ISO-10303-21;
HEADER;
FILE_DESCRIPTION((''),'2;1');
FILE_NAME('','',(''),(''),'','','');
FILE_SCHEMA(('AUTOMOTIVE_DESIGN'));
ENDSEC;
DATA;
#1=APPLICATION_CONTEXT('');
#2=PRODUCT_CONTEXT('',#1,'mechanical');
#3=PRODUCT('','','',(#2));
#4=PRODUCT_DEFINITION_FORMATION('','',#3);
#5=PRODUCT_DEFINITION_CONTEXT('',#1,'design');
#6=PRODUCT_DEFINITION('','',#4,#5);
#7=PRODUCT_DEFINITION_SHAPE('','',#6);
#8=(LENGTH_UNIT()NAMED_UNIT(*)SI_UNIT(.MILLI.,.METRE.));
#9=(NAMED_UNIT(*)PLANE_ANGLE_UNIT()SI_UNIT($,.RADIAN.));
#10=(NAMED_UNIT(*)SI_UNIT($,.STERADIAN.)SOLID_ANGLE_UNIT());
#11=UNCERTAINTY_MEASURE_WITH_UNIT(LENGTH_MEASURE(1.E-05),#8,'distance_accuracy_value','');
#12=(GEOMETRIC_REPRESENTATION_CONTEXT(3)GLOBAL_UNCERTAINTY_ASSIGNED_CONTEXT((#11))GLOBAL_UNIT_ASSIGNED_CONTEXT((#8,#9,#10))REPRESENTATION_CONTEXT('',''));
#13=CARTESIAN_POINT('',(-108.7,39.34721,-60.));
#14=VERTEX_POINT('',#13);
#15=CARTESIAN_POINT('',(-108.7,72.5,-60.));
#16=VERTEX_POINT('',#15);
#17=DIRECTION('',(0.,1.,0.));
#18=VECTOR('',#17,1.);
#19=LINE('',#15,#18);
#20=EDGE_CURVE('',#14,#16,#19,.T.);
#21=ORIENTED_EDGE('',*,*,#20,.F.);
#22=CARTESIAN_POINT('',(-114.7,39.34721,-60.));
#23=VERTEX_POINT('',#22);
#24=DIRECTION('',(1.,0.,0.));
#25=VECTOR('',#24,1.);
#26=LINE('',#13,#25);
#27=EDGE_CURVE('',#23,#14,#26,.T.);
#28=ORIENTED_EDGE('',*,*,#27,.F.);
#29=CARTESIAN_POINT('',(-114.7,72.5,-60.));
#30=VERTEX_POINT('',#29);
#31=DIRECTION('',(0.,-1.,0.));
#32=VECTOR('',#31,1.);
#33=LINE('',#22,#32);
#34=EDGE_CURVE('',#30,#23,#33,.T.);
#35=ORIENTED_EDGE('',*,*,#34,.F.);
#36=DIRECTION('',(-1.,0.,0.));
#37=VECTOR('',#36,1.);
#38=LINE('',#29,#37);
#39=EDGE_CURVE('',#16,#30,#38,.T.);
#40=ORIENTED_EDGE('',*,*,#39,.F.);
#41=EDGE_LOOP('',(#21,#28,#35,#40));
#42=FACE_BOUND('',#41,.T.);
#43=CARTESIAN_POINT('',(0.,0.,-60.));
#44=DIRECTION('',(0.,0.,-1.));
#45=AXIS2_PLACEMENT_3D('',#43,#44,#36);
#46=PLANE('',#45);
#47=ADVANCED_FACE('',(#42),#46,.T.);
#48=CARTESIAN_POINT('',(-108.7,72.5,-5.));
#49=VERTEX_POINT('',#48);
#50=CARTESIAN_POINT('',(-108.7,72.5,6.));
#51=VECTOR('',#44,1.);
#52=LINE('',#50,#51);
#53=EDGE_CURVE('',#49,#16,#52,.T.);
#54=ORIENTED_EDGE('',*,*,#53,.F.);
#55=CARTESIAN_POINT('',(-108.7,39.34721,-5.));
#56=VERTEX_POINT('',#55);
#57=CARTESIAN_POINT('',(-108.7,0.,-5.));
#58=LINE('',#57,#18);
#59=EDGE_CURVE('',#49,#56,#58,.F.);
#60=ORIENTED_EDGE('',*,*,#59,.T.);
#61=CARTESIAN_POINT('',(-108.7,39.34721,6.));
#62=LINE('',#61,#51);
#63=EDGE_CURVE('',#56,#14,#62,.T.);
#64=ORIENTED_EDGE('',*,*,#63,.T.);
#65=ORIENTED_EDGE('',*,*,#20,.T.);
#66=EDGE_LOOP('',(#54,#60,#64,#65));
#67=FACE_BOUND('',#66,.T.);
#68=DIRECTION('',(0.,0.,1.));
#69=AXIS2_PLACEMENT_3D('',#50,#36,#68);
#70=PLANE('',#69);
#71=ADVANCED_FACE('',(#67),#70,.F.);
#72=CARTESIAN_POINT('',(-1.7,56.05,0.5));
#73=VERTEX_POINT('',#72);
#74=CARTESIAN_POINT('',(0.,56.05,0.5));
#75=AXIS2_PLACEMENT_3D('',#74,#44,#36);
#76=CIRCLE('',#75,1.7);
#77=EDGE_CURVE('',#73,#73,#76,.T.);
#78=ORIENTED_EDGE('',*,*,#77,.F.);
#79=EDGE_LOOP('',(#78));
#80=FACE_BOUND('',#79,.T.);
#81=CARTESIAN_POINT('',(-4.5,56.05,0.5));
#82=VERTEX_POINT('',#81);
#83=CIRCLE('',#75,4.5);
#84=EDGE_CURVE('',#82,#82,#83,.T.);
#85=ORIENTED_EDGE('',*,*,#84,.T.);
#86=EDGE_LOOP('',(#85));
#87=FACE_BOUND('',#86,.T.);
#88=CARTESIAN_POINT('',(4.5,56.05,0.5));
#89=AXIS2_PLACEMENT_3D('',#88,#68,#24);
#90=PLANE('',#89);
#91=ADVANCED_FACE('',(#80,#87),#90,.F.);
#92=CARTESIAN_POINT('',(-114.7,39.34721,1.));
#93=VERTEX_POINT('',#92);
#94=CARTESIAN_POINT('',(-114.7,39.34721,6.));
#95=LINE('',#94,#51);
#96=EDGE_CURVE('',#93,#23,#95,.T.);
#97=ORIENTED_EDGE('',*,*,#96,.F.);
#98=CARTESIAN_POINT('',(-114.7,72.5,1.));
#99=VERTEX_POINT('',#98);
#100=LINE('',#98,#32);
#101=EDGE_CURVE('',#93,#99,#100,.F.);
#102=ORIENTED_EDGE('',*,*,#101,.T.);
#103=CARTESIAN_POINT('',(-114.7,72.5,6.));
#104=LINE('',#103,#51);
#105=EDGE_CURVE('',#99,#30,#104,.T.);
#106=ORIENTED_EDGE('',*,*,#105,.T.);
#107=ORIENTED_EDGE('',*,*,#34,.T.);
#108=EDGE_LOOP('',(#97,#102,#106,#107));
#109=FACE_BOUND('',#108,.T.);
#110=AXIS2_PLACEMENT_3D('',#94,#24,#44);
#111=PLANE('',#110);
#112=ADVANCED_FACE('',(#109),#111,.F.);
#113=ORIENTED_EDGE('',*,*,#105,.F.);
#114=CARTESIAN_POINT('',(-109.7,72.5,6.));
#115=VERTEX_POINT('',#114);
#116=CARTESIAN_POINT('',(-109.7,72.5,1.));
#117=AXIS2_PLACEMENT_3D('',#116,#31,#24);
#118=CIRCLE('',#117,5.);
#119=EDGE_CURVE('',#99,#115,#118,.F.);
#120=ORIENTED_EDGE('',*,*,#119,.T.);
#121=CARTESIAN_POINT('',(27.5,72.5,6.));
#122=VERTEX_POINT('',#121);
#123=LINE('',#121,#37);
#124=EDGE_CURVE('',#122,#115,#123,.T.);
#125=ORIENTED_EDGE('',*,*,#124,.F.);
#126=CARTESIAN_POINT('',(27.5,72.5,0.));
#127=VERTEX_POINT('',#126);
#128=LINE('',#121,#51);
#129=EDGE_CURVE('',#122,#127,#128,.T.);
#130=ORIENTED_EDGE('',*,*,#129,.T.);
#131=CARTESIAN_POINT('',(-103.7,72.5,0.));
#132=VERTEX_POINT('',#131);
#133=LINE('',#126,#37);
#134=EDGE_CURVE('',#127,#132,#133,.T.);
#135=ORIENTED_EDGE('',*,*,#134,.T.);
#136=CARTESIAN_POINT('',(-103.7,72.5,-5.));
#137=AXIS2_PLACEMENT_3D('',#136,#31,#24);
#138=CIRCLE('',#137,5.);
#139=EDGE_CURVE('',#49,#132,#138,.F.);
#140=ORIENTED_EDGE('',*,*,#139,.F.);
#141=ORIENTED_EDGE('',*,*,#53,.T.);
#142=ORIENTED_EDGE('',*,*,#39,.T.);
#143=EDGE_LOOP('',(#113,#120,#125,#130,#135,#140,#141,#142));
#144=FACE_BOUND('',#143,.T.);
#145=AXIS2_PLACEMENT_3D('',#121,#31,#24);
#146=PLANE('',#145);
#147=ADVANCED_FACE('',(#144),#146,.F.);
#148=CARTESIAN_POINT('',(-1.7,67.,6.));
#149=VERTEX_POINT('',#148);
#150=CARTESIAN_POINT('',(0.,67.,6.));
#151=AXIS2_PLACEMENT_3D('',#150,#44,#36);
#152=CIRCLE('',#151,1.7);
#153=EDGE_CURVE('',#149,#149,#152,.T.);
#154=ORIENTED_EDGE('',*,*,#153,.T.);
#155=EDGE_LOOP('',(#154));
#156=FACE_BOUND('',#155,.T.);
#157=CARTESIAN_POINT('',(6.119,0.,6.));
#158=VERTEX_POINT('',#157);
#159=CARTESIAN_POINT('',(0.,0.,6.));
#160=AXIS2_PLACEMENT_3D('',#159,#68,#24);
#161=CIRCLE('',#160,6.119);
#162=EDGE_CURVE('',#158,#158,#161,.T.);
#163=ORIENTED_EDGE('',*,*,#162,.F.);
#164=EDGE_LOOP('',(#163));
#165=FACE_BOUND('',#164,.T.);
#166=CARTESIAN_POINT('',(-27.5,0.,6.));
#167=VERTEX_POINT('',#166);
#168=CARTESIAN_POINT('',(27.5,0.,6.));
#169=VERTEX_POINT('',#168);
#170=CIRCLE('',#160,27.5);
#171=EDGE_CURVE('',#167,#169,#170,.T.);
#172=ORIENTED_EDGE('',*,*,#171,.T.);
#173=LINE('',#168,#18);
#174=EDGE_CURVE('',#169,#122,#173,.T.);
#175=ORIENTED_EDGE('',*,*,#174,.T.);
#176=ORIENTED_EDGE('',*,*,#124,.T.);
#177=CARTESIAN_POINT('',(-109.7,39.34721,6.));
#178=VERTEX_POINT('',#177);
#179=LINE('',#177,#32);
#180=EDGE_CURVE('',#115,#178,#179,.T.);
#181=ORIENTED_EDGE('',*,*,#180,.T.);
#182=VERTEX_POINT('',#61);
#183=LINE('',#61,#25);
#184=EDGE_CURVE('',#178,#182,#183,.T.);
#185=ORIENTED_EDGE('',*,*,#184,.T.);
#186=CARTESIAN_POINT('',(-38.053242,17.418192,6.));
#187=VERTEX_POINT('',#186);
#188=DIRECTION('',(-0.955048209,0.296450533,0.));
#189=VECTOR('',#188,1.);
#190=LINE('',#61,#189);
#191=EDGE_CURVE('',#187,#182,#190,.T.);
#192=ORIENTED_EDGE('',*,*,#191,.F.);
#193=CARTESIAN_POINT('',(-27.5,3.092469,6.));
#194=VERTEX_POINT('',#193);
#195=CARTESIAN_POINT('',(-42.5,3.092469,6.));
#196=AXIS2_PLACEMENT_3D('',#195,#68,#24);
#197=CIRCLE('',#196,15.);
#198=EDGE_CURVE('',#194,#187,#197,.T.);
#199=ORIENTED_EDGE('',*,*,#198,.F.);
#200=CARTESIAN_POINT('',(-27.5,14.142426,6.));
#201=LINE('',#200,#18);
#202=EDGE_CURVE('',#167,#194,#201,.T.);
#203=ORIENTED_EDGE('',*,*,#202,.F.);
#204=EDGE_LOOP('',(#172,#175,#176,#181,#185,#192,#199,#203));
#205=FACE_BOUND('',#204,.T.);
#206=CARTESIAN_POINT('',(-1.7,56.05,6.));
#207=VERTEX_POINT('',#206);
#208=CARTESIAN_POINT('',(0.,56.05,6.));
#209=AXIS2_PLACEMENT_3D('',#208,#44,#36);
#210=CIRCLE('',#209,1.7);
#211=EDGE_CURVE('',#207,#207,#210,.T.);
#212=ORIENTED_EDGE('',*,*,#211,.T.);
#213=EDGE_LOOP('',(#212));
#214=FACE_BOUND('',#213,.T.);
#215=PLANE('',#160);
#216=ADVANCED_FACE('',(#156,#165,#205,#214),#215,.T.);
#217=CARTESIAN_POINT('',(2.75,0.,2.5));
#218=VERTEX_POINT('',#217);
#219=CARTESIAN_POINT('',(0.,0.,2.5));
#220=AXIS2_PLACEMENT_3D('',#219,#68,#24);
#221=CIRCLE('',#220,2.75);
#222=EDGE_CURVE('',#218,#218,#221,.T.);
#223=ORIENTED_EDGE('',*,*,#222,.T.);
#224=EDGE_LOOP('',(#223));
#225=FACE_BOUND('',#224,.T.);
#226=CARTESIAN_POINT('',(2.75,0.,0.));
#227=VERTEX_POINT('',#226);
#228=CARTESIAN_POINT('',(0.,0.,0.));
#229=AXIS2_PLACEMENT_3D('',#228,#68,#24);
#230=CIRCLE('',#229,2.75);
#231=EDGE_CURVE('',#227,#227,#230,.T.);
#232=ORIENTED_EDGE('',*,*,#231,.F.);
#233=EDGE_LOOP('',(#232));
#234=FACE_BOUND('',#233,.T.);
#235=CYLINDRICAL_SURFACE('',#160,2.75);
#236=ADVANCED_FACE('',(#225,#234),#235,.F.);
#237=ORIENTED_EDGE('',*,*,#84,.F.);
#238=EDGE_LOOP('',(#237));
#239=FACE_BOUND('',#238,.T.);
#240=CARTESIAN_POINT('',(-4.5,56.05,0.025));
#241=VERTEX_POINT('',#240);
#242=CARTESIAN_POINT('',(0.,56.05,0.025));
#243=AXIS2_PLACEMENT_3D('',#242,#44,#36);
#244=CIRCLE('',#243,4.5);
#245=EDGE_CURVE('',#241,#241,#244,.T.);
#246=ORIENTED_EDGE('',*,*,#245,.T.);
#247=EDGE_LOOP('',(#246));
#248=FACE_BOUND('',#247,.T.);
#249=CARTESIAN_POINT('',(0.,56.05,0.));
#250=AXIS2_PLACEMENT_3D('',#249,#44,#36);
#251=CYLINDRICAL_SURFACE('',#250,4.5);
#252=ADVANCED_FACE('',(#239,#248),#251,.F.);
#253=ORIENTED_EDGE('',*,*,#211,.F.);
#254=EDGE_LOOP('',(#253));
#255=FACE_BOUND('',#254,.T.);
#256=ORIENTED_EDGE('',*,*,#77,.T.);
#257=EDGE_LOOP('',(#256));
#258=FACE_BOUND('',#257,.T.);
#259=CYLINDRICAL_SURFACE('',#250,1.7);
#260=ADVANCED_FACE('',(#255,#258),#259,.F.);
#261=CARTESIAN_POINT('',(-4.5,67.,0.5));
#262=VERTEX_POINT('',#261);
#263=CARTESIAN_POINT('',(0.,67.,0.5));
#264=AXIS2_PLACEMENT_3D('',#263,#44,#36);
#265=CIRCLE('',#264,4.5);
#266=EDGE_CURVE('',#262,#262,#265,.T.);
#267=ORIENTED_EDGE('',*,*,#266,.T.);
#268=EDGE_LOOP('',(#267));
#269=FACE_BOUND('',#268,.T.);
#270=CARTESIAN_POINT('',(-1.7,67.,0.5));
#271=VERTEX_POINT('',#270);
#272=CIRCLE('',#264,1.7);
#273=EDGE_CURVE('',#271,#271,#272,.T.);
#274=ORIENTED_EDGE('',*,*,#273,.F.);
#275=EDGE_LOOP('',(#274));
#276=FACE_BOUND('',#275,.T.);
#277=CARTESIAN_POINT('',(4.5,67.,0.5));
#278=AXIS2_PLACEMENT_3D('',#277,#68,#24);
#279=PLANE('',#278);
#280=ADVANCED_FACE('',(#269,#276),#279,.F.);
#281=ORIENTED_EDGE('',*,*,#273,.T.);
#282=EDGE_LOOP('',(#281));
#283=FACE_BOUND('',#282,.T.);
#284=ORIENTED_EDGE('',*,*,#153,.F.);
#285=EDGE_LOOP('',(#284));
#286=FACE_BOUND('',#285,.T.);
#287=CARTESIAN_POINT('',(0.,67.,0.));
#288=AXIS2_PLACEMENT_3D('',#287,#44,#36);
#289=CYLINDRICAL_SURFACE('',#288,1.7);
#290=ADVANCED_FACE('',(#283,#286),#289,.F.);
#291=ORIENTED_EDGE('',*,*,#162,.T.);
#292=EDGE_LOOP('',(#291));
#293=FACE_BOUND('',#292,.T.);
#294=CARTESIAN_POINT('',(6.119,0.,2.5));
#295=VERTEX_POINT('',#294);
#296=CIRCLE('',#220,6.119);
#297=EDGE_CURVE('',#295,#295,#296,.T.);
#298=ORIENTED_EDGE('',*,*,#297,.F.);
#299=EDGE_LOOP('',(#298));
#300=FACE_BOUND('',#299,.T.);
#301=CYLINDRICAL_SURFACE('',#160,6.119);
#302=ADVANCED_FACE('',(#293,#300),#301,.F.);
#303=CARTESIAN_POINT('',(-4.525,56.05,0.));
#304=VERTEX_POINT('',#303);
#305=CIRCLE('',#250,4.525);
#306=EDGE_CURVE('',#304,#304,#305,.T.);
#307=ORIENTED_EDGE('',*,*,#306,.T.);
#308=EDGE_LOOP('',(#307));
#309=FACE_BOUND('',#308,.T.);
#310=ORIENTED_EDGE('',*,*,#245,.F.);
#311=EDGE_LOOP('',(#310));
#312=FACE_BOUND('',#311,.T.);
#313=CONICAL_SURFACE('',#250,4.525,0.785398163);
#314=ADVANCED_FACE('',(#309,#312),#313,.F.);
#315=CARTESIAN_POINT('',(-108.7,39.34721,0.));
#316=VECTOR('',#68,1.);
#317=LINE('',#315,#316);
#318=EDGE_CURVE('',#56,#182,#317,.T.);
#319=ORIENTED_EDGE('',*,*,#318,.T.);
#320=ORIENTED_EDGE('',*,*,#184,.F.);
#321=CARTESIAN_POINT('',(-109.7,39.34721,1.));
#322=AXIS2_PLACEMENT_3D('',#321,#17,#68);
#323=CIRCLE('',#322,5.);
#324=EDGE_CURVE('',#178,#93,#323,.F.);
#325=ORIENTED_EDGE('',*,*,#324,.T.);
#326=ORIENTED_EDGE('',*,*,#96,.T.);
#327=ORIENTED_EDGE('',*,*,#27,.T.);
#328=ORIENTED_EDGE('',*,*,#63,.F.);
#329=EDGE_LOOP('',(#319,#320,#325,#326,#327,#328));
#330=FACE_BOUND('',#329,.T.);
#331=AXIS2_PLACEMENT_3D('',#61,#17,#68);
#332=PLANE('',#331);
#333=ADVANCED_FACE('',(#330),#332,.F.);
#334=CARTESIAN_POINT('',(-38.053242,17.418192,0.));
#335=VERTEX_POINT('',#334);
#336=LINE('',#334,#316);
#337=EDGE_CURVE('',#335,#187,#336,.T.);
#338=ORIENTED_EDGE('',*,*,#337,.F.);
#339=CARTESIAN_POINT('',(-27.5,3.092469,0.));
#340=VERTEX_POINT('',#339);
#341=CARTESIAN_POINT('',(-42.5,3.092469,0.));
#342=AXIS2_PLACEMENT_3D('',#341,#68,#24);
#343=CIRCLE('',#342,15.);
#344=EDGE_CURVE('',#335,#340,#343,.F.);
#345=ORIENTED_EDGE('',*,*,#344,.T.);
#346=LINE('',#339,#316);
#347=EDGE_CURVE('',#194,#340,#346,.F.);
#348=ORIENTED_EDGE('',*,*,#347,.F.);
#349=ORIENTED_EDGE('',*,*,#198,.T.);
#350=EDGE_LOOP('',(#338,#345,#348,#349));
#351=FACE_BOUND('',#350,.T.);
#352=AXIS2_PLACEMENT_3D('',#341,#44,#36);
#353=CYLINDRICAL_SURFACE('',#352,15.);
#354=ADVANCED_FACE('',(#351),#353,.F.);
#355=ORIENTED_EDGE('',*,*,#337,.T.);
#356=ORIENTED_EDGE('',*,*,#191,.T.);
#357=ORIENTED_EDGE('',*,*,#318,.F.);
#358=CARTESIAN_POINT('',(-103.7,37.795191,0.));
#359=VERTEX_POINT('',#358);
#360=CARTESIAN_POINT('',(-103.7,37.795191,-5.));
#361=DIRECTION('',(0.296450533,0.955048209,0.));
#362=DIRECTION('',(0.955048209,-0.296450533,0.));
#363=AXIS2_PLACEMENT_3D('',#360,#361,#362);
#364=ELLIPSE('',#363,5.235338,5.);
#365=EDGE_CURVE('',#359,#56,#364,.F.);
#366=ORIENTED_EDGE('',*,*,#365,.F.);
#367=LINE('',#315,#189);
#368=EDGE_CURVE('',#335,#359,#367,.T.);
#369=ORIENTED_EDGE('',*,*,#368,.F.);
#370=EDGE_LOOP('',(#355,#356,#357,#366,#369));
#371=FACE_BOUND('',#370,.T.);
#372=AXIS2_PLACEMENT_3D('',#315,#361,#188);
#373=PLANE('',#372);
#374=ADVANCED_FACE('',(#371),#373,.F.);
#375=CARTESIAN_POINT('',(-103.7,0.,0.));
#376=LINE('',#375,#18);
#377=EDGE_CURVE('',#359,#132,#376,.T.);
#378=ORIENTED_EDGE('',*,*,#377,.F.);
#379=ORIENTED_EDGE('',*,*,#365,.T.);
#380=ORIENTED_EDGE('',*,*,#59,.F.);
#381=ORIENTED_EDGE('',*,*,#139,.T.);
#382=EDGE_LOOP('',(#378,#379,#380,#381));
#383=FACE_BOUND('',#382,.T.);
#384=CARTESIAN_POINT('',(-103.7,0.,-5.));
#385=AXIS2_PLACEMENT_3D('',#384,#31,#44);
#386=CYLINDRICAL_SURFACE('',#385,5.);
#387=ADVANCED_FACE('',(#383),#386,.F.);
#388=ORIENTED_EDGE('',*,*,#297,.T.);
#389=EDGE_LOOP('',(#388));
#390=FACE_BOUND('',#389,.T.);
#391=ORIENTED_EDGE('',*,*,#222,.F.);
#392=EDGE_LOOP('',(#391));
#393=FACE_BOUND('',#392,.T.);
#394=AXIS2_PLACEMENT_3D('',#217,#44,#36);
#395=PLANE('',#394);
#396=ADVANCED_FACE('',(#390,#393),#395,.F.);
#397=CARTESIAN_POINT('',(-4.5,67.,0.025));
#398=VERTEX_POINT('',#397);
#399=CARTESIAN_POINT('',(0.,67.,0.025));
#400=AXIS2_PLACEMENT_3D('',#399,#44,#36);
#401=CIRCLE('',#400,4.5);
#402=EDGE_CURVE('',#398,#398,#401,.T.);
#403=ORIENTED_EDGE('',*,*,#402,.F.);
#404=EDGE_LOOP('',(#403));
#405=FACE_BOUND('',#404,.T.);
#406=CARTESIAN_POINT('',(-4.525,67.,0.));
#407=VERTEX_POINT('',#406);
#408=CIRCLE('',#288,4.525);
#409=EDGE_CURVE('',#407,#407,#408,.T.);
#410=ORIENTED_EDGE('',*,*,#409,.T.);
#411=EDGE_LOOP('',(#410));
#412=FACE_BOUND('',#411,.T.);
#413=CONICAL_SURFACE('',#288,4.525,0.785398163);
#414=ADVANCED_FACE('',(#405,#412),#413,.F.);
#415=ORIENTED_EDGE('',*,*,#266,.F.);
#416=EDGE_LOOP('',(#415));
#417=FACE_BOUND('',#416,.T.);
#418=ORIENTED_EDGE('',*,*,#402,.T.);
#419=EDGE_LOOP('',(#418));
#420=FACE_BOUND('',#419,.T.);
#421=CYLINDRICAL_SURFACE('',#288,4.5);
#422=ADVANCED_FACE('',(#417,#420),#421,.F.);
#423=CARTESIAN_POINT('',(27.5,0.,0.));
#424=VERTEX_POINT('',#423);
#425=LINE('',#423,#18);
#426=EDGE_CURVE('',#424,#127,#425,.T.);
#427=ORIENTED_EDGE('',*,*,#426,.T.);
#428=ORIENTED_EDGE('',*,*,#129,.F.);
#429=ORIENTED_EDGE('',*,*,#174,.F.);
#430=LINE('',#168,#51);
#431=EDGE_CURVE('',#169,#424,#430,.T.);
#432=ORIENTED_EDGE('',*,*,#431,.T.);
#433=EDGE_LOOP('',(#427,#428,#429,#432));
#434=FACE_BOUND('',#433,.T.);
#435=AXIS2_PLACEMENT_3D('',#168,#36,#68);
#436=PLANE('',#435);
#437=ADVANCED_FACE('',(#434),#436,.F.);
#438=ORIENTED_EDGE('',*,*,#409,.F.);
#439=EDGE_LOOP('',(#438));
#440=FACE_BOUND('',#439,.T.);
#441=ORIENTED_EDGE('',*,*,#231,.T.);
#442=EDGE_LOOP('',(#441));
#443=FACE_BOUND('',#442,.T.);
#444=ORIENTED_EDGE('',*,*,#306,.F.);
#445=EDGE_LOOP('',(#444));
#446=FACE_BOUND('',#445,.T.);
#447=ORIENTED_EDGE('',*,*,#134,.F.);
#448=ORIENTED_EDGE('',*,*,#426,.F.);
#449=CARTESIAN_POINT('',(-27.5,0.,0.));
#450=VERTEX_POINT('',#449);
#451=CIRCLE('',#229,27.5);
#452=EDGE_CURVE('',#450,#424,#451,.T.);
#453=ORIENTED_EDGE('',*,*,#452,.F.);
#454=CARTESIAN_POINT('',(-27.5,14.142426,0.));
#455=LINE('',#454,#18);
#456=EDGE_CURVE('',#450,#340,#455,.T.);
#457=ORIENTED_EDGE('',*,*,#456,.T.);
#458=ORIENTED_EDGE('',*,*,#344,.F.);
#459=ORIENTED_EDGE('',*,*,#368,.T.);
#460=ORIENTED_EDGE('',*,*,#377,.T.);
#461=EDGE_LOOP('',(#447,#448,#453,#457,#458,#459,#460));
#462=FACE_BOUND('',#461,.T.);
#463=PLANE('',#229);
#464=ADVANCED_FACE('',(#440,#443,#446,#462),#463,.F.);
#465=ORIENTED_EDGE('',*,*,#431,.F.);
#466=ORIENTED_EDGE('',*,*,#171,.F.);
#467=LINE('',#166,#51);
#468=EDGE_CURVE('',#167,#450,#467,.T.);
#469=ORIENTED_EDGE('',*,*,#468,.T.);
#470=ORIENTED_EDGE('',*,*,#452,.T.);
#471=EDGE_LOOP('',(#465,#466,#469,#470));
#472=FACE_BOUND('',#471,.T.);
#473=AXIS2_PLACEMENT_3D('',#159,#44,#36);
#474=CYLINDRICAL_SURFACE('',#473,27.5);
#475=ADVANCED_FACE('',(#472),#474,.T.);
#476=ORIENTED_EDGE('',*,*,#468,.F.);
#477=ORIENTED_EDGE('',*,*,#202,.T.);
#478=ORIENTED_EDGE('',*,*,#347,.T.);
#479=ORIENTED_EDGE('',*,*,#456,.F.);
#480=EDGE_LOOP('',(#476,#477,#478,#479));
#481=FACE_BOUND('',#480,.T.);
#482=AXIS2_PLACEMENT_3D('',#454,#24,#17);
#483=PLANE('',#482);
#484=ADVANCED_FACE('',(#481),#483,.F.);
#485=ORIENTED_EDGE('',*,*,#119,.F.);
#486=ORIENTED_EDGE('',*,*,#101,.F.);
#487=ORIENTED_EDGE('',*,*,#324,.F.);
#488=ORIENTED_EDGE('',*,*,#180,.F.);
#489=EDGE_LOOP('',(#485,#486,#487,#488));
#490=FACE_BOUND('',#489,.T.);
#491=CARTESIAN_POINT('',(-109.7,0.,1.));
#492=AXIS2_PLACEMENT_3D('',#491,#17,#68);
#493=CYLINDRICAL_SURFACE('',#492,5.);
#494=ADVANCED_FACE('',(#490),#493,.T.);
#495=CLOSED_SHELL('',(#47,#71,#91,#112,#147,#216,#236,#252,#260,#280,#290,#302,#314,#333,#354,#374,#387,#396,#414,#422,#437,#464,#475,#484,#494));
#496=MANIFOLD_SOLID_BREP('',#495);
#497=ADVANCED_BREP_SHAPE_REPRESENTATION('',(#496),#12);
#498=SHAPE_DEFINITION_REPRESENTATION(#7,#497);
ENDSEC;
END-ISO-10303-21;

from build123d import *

# Parameters (mm, degrees)
ESTRUSIONE_ESTRUSIONE1_DEPTH                         = 6
SCHIZZO3_W                                           = 136.2
SCHIZZO3_H                                           = 72.5
ESTRUSIONE_ESTRUSIONE2_DEPTH                         = 6
TAGLIO_ESTRUSIONE1_DEPTH                             = 131.797324132
RACCORDO5_R                                          = 15
ESTRUSIONE_ESTRUSIONE5_DEPTH                         = 6
ESTRUSIONE_ESTRUSIONE5_DEPTH_BACK                    = 60
SCHIZZO9_W                                           = 6
SCHIZZO9_H                                           = 33.15279029
RACCORDO6_R                                          = 5
RACCORDO7_R                                          = 5
FORO_LAMATO_PER_BULLONE_M3_A_TESTA_E_2_COUNT         = 2
FORO_LAMATO_PER_BULLONE_M3_A_TESTA_E_2_PITCH         = 10.95
FORO_LAMATO_PER_BULLONE_M5_A_TESTA_ESAGO_D           = 5.5
FORO_LAMATO_PER_BULLONE_M5_A_TESTA_ESAGO_CBORE_D     = 12.238
FORO_LAMATO_PER_BULLONE_M5_A_TESTA_ESAGO_CBORE_DEPTH = 3.5


with BuildPart() as part:
    # Schizzo2 → Estrusione-Estrusione1 (new body)
    with BuildSketch(Plane.XY):
        with BuildLine():
            Line((-27.5, 0), (-27.5, 45))
            ThreePointArc((-27.5, 45), (0, 72.5), (27.5, 45))
            Line((27.5, 45), (27.5, 0))
            ThreePointArc((27.5, 0), (0, -27.5), (-27.5, 0))
        make_face()
    extrude(amount=ESTRUSIONE_ESTRUSIONE1_DEPTH)

    # Schizzo3 → Estrusione-Estrusione2 (add)
    with BuildSketch(Plane.XY):
        with Locations((-40.6, 36.25)):
            Rectangle(SCHIZZO3_W, SCHIZZO3_H)
    extrude(amount=ESTRUSIONE_ESTRUSIONE2_DEPTH)

    # Schizzo4 → Taglio-Estrusione1 (cut, through all)
    with BuildSketch(Plane.XY.offset(6)):
        Polygon((-27.5, 0), (-108.7, 0), (-108.7, 39.34720971), (-27.5, 14.142426235), align=None)
    extrude(amount=-TAGLIO_ESTRUSIONE1_DEPTH, mode=Mode.SUBTRACT)

    # Raccordo5
    raccordo5_edges = [part.edges().sort_by_distance(p)[0] for p in [
        (-27.5, 14.142426235, 3),
    ]]
    fillet(raccordo5_edges, radius=RACCORDO5_R)

    # Schizzo9 → Estrusione-Estrusione5 (add, two sides: drawn at the far end of the back side and taken through both)
    with BuildSketch(Plane.XY.offset(-ESTRUSIONE_ESTRUSIONE5_DEPTH_BACK)):
        with Locations((-111.7, 55.923604855)):
            Rectangle(SCHIZZO9_W, SCHIZZO9_H)
    extrude(amount=ESTRUSIONE_ESTRUSIONE5_DEPTH + ESTRUSIONE_ESTRUSIONE5_DEPTH_BACK)

    # Raccordo6
    raccordo6_edges = [part.edges().sort_by_distance(p)[0] for p in [
        (-108.7, 55.923604855, 0),
    ]]
    fillet(raccordo6_edges, radius=RACCORDO6_R)

    # Raccordo7
    raccordo7_edges = [part.edges().sort_by_distance(p)[0] for p in [
        (-114.7, 55.923604855, 6),
    ]]
    fillet(raccordo7_edges, radius=RACCORDO7_R)

    # Schizzo20 → Foro lamato per Bullone M3 a testa esagonale-3 (revolve, cut)
    with BuildSketch(Plane(origin=(0, 67, 0), x_dir=(0, 1, 0), z_dir=(1, 0, 0))):
        Polygon((0, 0), (0, 6), (1.7, 6), (1.7, 0.5), (4.5, 0.5), (4.5, 0.025), (4.525, 0), align=None)
    foro_lamato_per_bullone_m3_a_testa_esago = revolve(axis=Axis((0, 67, -6.35), (0, 0, 1)), mode=Mode.SUBTRACT)

    # Foro lamato per Bullone M3 a testa e 2: Foro lamato per Bullone M3 a testa esagonale-3 ×2
    with Locations(*[(0, -i * FORO_LAMATO_PER_BULLONE_M3_A_TESTA_E_2_PITCH, 0) for i in range(1, FORO_LAMATO_PER_BULLONE_M3_A_TESTA_E_2_COUNT)]):
        add(foro_lamato_per_bullone_m3_a_testa_esago, mode=Mode.SUBTRACT)

    # Foro lamato per Bullone M5 a testa esagonale-1 (through all)
    with Locations(Plane.XY.offset(6)):
        with Locations((0, 0)):
            CounterBoreHole(FORO_LAMATO_PER_BULLONE_M5_A_TESTA_ESAGO_D / 2, FORO_LAMATO_PER_BULLONE_M5_A_TESTA_ESAGO_CBORE_D / 2, FORO_LAMATO_PER_BULLONE_M5_A_TESTA_ESAGO_CBORE_DEPTH)


solid = part.part
